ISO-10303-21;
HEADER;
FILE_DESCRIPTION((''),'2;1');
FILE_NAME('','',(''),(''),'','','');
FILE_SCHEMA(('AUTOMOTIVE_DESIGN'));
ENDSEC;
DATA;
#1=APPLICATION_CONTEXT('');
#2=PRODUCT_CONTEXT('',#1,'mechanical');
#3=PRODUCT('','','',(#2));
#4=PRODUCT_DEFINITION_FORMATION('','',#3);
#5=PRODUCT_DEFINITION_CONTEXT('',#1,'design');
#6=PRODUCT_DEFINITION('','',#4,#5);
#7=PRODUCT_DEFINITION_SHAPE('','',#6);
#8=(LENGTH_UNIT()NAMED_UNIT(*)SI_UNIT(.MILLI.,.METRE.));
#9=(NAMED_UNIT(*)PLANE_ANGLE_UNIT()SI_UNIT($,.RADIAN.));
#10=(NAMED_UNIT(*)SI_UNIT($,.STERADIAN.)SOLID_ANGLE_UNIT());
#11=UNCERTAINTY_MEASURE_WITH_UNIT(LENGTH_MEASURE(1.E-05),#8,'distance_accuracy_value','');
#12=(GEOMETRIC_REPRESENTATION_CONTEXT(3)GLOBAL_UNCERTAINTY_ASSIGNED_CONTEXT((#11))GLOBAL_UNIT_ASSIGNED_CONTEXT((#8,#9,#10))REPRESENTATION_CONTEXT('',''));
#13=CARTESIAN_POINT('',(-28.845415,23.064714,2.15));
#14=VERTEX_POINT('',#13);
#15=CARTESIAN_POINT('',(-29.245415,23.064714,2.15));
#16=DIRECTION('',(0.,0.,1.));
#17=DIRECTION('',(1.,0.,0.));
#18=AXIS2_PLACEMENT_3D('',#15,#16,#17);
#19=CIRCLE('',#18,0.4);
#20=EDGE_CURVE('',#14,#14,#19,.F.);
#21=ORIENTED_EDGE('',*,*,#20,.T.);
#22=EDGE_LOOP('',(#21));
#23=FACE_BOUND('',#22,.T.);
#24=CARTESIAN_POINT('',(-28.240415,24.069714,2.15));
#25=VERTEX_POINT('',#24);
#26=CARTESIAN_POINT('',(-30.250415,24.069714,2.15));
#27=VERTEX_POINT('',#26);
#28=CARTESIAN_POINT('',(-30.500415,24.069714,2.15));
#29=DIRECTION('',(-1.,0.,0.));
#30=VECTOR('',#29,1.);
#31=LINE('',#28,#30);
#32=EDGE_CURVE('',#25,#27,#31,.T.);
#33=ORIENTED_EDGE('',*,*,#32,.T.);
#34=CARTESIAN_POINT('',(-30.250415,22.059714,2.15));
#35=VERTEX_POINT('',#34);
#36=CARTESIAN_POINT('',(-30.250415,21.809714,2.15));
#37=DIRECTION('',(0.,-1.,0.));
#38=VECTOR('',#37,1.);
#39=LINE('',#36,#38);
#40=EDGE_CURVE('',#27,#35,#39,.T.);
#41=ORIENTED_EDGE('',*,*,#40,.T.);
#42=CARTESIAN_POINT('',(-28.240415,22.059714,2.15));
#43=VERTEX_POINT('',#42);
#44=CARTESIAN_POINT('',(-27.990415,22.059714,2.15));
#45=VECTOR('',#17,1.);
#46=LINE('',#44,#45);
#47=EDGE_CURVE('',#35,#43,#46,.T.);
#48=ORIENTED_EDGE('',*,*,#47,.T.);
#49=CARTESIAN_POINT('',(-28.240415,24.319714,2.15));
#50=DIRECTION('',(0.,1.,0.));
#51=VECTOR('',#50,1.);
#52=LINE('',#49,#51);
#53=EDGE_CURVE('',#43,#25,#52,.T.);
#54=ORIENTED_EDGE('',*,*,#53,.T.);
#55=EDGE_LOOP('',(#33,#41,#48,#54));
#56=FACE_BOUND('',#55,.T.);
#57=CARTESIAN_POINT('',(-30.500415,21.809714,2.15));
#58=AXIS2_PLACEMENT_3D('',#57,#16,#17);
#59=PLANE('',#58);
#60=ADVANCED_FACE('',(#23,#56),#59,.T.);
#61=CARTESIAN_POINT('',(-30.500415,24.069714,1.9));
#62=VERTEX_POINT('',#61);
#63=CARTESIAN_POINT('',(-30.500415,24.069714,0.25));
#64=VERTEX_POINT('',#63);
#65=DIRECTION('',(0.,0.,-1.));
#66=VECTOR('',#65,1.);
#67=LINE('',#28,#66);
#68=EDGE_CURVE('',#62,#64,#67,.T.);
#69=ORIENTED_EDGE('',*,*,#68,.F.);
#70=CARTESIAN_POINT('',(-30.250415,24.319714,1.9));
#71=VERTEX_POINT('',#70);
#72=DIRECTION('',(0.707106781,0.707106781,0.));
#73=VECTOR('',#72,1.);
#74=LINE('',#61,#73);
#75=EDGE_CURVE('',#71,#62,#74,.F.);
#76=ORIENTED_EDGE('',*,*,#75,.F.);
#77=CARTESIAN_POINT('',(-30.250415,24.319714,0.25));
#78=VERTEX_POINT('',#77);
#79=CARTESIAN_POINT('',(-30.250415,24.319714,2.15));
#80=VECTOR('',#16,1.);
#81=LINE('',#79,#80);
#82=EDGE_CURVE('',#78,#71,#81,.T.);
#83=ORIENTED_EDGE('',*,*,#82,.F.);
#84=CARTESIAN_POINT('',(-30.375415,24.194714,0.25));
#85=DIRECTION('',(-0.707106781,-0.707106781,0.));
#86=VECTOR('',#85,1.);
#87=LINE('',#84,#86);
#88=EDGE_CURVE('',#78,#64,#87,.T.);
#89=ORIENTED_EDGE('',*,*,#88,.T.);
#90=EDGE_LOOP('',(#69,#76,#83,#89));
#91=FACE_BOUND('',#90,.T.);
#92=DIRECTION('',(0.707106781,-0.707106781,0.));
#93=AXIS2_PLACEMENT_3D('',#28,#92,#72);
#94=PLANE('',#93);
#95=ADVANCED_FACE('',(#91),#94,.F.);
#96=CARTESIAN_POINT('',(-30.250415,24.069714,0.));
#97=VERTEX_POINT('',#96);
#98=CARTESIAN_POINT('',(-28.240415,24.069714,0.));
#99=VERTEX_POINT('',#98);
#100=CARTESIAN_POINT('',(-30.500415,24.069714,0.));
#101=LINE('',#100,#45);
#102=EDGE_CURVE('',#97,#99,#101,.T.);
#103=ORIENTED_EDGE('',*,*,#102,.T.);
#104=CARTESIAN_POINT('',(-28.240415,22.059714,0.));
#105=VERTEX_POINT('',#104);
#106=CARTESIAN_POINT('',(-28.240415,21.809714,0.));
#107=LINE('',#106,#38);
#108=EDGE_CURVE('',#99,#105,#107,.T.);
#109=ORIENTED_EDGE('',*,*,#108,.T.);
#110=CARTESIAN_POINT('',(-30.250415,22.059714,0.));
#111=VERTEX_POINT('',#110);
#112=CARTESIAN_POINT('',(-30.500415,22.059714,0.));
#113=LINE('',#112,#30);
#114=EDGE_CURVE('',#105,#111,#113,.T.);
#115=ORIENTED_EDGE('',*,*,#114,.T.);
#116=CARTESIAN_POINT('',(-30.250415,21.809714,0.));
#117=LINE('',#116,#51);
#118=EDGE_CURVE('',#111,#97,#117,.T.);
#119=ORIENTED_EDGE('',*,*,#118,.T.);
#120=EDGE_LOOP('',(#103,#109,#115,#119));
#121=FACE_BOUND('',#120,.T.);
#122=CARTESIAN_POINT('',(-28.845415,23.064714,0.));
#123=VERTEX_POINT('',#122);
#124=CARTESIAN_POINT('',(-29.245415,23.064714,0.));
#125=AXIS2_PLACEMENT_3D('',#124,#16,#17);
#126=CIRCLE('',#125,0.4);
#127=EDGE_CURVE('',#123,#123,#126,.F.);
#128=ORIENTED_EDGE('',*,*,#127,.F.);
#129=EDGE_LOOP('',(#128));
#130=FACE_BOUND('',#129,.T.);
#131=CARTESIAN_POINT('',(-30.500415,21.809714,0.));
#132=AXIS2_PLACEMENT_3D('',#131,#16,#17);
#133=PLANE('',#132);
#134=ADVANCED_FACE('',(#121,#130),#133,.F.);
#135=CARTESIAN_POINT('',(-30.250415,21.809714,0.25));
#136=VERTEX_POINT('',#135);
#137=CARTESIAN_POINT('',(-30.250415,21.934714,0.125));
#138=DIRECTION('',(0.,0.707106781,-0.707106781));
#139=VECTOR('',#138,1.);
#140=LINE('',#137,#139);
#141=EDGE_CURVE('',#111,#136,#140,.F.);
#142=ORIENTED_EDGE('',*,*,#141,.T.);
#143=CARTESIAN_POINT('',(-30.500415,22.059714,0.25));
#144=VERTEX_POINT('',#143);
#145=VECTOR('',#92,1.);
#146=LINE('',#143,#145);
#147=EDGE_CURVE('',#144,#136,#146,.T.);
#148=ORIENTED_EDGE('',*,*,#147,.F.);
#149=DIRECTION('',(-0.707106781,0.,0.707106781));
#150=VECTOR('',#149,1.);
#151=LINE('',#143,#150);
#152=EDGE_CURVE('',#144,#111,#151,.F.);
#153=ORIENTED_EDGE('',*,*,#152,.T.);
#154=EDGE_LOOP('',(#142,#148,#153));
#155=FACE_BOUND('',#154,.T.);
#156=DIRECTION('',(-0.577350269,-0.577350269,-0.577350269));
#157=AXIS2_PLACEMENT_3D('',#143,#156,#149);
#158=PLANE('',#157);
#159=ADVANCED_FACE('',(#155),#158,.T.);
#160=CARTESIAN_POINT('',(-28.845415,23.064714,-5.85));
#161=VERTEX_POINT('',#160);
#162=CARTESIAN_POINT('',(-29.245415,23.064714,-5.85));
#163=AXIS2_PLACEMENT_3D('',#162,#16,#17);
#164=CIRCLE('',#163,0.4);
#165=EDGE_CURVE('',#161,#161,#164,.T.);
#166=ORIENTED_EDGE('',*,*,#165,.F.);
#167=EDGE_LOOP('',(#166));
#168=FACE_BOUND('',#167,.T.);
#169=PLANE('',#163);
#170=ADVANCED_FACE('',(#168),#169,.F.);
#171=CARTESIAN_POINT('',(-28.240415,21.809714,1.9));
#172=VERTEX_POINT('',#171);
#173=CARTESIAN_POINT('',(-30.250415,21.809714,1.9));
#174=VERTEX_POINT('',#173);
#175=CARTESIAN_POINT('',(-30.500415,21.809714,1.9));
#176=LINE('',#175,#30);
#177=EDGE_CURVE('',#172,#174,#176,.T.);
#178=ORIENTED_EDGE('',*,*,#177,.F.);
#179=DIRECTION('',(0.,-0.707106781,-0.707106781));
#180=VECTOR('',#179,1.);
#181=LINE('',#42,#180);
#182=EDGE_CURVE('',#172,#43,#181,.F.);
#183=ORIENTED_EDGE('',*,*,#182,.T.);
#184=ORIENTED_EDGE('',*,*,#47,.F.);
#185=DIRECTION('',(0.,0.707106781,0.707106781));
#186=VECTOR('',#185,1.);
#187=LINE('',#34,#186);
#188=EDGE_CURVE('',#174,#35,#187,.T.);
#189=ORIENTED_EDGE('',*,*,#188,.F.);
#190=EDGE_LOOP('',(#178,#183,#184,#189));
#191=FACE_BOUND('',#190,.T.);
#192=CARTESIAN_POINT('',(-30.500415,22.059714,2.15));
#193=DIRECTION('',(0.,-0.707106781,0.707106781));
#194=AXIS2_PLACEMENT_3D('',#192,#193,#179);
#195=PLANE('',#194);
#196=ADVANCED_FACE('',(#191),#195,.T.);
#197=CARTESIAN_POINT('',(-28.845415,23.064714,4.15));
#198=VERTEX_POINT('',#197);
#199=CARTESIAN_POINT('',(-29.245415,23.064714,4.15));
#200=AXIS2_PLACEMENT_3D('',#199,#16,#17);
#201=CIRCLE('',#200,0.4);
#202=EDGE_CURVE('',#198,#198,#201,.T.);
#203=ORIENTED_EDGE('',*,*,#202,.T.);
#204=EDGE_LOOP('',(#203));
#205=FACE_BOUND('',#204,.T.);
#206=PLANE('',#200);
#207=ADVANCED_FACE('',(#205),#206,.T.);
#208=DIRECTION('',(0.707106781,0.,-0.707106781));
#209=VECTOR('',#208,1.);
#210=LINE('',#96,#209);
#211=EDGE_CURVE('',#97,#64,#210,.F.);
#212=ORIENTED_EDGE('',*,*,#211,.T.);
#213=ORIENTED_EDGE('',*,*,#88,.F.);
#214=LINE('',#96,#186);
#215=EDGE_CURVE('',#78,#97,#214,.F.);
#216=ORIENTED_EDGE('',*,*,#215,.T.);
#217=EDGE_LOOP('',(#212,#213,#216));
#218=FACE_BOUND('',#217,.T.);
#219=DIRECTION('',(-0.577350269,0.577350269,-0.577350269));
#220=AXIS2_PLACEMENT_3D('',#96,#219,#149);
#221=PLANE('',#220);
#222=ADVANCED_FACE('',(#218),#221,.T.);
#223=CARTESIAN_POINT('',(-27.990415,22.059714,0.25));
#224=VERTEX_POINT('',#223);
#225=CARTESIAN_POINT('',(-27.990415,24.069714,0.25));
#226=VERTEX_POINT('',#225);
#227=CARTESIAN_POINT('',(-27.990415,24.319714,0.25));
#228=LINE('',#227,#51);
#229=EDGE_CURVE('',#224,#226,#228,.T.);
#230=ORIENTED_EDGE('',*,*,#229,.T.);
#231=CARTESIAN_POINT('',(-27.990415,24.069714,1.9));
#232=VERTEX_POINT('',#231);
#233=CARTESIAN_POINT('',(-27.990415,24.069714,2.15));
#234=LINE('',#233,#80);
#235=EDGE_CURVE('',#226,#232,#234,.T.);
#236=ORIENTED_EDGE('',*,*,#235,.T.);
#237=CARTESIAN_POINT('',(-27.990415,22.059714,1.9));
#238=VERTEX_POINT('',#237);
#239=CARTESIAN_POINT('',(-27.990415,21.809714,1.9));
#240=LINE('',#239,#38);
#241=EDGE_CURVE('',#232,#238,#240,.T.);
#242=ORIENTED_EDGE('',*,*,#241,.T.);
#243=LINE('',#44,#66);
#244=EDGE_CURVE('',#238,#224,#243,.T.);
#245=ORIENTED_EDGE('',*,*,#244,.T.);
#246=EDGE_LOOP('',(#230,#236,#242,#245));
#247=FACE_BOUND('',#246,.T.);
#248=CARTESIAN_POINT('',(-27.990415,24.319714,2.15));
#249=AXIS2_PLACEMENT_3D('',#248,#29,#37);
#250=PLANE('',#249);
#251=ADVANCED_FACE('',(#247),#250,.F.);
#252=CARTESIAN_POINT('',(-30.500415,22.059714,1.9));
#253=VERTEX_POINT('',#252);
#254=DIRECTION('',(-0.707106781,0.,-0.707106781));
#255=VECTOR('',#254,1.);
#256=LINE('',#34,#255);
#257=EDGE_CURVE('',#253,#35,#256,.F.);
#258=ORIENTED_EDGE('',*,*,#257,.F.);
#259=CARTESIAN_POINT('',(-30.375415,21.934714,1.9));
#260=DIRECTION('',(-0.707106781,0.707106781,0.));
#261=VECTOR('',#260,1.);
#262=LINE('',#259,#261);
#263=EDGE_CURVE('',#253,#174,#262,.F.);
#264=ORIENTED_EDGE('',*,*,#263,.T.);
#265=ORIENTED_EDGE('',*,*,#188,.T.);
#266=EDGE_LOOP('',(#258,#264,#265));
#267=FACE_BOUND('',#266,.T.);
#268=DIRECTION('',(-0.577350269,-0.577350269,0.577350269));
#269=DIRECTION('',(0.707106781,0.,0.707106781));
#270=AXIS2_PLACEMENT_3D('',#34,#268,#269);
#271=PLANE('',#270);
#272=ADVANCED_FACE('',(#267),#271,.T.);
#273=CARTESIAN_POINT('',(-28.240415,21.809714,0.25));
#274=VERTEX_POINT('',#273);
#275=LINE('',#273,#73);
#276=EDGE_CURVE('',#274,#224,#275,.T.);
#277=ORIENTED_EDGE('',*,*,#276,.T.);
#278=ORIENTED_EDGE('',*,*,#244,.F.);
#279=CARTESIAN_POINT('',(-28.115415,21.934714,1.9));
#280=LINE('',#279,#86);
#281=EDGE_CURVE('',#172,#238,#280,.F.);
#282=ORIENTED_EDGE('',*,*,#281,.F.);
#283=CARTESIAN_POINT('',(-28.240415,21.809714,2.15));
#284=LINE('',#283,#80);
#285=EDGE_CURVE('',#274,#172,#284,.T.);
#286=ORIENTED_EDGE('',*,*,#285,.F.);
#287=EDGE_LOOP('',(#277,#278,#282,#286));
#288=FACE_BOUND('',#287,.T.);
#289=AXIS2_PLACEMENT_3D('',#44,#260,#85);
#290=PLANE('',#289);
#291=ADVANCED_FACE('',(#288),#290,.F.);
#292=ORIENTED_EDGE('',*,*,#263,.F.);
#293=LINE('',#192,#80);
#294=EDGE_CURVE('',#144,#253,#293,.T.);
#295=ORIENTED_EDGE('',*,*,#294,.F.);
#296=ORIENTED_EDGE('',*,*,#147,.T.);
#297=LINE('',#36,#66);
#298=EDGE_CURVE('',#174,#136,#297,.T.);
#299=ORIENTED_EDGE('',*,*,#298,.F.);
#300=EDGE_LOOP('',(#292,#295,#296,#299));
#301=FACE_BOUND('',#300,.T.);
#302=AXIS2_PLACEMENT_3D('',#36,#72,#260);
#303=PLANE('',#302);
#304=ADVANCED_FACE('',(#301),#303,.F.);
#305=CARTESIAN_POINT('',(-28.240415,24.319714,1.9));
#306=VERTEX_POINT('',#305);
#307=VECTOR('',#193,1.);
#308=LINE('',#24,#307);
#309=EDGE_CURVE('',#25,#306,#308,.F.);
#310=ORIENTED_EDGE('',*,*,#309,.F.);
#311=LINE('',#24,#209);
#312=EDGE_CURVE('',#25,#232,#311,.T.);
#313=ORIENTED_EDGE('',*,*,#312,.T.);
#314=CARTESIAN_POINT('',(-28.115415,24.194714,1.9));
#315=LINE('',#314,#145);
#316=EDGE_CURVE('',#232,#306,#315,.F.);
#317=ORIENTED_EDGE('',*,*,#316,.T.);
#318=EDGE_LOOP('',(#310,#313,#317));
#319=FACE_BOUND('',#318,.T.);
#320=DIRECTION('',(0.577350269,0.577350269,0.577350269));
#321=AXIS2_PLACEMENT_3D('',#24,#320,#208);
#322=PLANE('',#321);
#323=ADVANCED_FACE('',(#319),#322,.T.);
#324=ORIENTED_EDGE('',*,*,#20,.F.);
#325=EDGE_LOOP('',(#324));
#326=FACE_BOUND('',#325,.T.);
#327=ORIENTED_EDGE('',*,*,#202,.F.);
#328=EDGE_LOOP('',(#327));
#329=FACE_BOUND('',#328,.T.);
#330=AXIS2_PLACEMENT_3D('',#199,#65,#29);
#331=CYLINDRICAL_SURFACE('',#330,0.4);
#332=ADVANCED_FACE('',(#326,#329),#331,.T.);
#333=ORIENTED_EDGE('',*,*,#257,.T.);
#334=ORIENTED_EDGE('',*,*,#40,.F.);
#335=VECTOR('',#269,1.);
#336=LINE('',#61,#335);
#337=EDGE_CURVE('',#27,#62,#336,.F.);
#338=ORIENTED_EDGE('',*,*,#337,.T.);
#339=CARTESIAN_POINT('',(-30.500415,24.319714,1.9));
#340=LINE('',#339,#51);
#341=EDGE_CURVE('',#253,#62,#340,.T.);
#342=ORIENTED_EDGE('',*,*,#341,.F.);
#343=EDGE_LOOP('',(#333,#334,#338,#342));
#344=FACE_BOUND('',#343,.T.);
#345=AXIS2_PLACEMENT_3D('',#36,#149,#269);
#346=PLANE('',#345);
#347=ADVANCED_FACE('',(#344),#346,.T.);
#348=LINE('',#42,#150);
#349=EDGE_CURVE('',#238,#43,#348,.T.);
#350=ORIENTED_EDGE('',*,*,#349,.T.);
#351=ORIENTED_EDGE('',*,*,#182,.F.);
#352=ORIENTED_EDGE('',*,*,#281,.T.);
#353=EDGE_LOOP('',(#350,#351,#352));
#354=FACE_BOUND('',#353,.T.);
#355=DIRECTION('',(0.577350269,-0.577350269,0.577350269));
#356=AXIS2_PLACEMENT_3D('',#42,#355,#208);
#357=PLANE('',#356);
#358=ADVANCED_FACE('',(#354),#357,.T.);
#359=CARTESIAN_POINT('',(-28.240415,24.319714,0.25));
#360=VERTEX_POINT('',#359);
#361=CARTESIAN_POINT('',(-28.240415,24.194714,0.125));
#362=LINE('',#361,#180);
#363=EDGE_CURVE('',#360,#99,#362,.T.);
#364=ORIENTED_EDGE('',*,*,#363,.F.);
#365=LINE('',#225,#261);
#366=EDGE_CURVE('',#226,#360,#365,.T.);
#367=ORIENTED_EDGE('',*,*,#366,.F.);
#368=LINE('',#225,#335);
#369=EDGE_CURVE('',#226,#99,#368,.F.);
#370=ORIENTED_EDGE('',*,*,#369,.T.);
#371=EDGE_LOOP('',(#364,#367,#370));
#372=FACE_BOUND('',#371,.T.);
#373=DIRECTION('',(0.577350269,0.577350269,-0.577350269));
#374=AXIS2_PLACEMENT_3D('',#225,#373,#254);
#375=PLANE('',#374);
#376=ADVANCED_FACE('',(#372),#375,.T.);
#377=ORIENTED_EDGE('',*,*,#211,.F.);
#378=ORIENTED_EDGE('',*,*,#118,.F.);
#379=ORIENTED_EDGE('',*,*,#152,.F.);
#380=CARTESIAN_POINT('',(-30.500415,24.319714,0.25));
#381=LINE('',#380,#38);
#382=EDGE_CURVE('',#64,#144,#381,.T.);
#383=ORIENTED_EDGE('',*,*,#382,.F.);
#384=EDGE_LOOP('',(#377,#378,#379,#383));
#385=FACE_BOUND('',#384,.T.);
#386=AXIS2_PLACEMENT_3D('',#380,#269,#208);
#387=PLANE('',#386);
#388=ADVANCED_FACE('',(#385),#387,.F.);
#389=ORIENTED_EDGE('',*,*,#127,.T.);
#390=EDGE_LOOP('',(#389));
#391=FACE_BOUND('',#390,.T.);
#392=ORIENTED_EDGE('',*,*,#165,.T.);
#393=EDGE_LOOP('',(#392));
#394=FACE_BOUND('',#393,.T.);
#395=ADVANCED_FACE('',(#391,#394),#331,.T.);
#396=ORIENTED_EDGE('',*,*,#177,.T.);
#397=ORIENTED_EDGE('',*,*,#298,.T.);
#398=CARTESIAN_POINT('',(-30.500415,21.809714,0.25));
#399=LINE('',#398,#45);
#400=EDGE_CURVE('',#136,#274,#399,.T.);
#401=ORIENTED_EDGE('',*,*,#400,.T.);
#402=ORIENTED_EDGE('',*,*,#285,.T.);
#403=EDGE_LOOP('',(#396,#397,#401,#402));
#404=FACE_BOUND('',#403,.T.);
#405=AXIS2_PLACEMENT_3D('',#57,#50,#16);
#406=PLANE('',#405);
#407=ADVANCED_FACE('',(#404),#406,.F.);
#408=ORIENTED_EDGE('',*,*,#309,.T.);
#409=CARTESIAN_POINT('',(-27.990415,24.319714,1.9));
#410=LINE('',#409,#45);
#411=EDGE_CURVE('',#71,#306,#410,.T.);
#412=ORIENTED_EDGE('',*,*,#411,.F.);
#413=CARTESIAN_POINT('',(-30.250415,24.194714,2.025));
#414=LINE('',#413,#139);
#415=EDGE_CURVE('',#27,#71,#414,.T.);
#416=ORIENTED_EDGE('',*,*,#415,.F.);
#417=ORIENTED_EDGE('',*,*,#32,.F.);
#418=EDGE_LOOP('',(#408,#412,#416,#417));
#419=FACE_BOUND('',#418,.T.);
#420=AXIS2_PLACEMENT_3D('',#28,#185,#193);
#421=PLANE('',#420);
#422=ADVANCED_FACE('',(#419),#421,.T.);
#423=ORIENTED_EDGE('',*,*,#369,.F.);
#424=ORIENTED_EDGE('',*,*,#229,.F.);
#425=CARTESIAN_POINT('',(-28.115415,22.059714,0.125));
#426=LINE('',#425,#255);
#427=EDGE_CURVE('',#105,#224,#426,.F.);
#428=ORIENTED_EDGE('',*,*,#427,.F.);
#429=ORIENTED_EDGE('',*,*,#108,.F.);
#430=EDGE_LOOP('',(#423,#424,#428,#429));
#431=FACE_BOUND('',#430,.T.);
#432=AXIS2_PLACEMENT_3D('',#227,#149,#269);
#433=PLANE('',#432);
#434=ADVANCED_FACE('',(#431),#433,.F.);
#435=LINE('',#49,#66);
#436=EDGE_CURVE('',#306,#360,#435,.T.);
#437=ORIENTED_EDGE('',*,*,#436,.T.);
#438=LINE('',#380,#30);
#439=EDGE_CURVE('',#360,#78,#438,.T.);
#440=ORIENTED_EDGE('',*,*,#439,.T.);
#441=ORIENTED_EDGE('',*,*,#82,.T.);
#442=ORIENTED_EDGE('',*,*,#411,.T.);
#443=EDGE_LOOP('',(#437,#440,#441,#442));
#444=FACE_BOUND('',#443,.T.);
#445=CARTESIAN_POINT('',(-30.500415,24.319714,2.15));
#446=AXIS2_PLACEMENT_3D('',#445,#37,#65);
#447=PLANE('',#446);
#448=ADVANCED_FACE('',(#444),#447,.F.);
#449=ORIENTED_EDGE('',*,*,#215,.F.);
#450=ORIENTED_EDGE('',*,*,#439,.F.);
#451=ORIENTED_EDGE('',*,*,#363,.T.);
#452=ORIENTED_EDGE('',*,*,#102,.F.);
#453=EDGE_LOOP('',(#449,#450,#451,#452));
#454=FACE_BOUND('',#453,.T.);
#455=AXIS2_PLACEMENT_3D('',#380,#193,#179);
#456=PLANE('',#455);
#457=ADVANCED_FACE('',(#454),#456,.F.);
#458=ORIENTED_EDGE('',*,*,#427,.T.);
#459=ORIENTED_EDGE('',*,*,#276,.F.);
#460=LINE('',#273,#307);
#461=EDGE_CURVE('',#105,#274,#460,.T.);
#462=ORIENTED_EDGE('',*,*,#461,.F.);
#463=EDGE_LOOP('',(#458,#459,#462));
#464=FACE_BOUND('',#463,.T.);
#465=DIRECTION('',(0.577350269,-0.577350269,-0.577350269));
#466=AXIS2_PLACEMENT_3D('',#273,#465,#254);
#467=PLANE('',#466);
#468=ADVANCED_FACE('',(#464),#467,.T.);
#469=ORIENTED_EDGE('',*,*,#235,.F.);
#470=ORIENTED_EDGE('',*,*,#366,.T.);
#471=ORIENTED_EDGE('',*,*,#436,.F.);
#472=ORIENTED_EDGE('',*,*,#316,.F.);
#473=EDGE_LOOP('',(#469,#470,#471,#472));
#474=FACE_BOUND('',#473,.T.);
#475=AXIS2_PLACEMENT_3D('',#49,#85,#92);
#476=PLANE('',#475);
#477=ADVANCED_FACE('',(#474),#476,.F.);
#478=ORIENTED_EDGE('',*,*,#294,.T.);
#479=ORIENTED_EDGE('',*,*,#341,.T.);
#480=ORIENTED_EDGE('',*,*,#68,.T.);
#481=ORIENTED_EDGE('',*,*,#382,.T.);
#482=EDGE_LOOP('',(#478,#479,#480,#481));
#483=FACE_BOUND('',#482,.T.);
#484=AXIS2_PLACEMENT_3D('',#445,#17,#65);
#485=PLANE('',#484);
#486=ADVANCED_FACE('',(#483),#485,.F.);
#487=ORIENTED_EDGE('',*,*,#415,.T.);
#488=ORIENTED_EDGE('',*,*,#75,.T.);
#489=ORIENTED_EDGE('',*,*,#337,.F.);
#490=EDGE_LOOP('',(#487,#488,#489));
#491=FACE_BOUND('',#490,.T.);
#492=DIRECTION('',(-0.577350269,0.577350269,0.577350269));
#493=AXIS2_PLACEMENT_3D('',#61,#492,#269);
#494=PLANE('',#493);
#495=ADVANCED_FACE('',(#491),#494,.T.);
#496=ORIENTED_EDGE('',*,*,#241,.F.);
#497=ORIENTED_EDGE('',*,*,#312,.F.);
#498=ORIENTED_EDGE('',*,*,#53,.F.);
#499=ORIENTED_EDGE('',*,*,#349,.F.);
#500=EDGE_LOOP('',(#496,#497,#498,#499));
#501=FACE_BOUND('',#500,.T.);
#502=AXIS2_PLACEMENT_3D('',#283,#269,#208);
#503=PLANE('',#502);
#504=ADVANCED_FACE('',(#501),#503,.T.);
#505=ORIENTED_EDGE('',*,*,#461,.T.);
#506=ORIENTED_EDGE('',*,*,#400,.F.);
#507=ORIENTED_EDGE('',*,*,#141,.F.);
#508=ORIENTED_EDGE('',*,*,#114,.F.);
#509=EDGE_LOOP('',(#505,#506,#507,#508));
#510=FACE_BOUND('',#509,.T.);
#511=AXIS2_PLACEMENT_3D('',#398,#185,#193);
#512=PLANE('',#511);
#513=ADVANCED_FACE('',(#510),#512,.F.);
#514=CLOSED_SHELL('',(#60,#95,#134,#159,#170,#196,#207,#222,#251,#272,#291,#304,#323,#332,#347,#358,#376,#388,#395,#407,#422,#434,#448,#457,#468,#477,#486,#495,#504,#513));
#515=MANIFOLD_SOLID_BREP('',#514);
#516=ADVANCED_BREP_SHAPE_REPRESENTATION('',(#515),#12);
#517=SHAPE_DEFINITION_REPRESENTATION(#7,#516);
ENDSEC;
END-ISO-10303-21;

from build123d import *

# Parameters (mm, degrees)
ESQUISSE1_W           = 2.51
ESQUISSE1_H           = 2.51
EXTRUSION1_DEPTH      = 2.15
ESQUISSE2_R           = 0.4
EXTRUSION2_DEPTH      = 2
EXTRUSION2_DEPTH_BACK = 8
CHANFREIN1_SIZE       = 0.25


with BuildPart() as part:
    # Esquisse1 → Extrusion1 (new body)
    with BuildSketch(Plane.XY):
        with Locations((-29.245415213, 23.064714333)):
            Rectangle(ESQUISSE1_W, ESQUISSE1_H)
    extrude(amount=EXTRUSION1_DEPTH)

    # Esquisse2 → Extrusion2 (add, two sides)
    with BuildSketch(Plane.XY.offset(2.15)) as extrusion2_sk:
        with Locations((-29.245415213, 23.064714333)):
            Circle(ESQUISSE2_R)
    extrude(amount=EXTRUSION2_DEPTH)
    extrude(extrusion2_sk.sketch, amount=-EXTRUSION2_DEPTH_BACK)

    # Chanfrein1
    chanfrein1_edges = [part.edges().sort_by_distance(p)[0] for p in [
        (-27.990415213, 23.064714333, 2.15),
        (-29.245415213, 24.319714333, 2.15),
        (-30.500415213, 23.064714333, 2.15),
        (-29.245415213, 24.319714333, 0),
        (-27.990415213, 23.064714333, 0),
        (-29.245415213, 21.809714333, 0),
        (-30.500415213, 23.064714333, 0),
        (-29.245415213, 21.809714333, 2.15),
        (-30.500415213, 24.319714333, 1.075),
        (-27.990415213, 24.319714333, 1.075),
        (-27.990415213, 21.809714333, 1.075),
        (-30.500415213, 21.809714333, 1.075),
    ]]
    chamfer(chanfrein1_edges, length=CHANFREIN1_SIZE)


solid = part.part
